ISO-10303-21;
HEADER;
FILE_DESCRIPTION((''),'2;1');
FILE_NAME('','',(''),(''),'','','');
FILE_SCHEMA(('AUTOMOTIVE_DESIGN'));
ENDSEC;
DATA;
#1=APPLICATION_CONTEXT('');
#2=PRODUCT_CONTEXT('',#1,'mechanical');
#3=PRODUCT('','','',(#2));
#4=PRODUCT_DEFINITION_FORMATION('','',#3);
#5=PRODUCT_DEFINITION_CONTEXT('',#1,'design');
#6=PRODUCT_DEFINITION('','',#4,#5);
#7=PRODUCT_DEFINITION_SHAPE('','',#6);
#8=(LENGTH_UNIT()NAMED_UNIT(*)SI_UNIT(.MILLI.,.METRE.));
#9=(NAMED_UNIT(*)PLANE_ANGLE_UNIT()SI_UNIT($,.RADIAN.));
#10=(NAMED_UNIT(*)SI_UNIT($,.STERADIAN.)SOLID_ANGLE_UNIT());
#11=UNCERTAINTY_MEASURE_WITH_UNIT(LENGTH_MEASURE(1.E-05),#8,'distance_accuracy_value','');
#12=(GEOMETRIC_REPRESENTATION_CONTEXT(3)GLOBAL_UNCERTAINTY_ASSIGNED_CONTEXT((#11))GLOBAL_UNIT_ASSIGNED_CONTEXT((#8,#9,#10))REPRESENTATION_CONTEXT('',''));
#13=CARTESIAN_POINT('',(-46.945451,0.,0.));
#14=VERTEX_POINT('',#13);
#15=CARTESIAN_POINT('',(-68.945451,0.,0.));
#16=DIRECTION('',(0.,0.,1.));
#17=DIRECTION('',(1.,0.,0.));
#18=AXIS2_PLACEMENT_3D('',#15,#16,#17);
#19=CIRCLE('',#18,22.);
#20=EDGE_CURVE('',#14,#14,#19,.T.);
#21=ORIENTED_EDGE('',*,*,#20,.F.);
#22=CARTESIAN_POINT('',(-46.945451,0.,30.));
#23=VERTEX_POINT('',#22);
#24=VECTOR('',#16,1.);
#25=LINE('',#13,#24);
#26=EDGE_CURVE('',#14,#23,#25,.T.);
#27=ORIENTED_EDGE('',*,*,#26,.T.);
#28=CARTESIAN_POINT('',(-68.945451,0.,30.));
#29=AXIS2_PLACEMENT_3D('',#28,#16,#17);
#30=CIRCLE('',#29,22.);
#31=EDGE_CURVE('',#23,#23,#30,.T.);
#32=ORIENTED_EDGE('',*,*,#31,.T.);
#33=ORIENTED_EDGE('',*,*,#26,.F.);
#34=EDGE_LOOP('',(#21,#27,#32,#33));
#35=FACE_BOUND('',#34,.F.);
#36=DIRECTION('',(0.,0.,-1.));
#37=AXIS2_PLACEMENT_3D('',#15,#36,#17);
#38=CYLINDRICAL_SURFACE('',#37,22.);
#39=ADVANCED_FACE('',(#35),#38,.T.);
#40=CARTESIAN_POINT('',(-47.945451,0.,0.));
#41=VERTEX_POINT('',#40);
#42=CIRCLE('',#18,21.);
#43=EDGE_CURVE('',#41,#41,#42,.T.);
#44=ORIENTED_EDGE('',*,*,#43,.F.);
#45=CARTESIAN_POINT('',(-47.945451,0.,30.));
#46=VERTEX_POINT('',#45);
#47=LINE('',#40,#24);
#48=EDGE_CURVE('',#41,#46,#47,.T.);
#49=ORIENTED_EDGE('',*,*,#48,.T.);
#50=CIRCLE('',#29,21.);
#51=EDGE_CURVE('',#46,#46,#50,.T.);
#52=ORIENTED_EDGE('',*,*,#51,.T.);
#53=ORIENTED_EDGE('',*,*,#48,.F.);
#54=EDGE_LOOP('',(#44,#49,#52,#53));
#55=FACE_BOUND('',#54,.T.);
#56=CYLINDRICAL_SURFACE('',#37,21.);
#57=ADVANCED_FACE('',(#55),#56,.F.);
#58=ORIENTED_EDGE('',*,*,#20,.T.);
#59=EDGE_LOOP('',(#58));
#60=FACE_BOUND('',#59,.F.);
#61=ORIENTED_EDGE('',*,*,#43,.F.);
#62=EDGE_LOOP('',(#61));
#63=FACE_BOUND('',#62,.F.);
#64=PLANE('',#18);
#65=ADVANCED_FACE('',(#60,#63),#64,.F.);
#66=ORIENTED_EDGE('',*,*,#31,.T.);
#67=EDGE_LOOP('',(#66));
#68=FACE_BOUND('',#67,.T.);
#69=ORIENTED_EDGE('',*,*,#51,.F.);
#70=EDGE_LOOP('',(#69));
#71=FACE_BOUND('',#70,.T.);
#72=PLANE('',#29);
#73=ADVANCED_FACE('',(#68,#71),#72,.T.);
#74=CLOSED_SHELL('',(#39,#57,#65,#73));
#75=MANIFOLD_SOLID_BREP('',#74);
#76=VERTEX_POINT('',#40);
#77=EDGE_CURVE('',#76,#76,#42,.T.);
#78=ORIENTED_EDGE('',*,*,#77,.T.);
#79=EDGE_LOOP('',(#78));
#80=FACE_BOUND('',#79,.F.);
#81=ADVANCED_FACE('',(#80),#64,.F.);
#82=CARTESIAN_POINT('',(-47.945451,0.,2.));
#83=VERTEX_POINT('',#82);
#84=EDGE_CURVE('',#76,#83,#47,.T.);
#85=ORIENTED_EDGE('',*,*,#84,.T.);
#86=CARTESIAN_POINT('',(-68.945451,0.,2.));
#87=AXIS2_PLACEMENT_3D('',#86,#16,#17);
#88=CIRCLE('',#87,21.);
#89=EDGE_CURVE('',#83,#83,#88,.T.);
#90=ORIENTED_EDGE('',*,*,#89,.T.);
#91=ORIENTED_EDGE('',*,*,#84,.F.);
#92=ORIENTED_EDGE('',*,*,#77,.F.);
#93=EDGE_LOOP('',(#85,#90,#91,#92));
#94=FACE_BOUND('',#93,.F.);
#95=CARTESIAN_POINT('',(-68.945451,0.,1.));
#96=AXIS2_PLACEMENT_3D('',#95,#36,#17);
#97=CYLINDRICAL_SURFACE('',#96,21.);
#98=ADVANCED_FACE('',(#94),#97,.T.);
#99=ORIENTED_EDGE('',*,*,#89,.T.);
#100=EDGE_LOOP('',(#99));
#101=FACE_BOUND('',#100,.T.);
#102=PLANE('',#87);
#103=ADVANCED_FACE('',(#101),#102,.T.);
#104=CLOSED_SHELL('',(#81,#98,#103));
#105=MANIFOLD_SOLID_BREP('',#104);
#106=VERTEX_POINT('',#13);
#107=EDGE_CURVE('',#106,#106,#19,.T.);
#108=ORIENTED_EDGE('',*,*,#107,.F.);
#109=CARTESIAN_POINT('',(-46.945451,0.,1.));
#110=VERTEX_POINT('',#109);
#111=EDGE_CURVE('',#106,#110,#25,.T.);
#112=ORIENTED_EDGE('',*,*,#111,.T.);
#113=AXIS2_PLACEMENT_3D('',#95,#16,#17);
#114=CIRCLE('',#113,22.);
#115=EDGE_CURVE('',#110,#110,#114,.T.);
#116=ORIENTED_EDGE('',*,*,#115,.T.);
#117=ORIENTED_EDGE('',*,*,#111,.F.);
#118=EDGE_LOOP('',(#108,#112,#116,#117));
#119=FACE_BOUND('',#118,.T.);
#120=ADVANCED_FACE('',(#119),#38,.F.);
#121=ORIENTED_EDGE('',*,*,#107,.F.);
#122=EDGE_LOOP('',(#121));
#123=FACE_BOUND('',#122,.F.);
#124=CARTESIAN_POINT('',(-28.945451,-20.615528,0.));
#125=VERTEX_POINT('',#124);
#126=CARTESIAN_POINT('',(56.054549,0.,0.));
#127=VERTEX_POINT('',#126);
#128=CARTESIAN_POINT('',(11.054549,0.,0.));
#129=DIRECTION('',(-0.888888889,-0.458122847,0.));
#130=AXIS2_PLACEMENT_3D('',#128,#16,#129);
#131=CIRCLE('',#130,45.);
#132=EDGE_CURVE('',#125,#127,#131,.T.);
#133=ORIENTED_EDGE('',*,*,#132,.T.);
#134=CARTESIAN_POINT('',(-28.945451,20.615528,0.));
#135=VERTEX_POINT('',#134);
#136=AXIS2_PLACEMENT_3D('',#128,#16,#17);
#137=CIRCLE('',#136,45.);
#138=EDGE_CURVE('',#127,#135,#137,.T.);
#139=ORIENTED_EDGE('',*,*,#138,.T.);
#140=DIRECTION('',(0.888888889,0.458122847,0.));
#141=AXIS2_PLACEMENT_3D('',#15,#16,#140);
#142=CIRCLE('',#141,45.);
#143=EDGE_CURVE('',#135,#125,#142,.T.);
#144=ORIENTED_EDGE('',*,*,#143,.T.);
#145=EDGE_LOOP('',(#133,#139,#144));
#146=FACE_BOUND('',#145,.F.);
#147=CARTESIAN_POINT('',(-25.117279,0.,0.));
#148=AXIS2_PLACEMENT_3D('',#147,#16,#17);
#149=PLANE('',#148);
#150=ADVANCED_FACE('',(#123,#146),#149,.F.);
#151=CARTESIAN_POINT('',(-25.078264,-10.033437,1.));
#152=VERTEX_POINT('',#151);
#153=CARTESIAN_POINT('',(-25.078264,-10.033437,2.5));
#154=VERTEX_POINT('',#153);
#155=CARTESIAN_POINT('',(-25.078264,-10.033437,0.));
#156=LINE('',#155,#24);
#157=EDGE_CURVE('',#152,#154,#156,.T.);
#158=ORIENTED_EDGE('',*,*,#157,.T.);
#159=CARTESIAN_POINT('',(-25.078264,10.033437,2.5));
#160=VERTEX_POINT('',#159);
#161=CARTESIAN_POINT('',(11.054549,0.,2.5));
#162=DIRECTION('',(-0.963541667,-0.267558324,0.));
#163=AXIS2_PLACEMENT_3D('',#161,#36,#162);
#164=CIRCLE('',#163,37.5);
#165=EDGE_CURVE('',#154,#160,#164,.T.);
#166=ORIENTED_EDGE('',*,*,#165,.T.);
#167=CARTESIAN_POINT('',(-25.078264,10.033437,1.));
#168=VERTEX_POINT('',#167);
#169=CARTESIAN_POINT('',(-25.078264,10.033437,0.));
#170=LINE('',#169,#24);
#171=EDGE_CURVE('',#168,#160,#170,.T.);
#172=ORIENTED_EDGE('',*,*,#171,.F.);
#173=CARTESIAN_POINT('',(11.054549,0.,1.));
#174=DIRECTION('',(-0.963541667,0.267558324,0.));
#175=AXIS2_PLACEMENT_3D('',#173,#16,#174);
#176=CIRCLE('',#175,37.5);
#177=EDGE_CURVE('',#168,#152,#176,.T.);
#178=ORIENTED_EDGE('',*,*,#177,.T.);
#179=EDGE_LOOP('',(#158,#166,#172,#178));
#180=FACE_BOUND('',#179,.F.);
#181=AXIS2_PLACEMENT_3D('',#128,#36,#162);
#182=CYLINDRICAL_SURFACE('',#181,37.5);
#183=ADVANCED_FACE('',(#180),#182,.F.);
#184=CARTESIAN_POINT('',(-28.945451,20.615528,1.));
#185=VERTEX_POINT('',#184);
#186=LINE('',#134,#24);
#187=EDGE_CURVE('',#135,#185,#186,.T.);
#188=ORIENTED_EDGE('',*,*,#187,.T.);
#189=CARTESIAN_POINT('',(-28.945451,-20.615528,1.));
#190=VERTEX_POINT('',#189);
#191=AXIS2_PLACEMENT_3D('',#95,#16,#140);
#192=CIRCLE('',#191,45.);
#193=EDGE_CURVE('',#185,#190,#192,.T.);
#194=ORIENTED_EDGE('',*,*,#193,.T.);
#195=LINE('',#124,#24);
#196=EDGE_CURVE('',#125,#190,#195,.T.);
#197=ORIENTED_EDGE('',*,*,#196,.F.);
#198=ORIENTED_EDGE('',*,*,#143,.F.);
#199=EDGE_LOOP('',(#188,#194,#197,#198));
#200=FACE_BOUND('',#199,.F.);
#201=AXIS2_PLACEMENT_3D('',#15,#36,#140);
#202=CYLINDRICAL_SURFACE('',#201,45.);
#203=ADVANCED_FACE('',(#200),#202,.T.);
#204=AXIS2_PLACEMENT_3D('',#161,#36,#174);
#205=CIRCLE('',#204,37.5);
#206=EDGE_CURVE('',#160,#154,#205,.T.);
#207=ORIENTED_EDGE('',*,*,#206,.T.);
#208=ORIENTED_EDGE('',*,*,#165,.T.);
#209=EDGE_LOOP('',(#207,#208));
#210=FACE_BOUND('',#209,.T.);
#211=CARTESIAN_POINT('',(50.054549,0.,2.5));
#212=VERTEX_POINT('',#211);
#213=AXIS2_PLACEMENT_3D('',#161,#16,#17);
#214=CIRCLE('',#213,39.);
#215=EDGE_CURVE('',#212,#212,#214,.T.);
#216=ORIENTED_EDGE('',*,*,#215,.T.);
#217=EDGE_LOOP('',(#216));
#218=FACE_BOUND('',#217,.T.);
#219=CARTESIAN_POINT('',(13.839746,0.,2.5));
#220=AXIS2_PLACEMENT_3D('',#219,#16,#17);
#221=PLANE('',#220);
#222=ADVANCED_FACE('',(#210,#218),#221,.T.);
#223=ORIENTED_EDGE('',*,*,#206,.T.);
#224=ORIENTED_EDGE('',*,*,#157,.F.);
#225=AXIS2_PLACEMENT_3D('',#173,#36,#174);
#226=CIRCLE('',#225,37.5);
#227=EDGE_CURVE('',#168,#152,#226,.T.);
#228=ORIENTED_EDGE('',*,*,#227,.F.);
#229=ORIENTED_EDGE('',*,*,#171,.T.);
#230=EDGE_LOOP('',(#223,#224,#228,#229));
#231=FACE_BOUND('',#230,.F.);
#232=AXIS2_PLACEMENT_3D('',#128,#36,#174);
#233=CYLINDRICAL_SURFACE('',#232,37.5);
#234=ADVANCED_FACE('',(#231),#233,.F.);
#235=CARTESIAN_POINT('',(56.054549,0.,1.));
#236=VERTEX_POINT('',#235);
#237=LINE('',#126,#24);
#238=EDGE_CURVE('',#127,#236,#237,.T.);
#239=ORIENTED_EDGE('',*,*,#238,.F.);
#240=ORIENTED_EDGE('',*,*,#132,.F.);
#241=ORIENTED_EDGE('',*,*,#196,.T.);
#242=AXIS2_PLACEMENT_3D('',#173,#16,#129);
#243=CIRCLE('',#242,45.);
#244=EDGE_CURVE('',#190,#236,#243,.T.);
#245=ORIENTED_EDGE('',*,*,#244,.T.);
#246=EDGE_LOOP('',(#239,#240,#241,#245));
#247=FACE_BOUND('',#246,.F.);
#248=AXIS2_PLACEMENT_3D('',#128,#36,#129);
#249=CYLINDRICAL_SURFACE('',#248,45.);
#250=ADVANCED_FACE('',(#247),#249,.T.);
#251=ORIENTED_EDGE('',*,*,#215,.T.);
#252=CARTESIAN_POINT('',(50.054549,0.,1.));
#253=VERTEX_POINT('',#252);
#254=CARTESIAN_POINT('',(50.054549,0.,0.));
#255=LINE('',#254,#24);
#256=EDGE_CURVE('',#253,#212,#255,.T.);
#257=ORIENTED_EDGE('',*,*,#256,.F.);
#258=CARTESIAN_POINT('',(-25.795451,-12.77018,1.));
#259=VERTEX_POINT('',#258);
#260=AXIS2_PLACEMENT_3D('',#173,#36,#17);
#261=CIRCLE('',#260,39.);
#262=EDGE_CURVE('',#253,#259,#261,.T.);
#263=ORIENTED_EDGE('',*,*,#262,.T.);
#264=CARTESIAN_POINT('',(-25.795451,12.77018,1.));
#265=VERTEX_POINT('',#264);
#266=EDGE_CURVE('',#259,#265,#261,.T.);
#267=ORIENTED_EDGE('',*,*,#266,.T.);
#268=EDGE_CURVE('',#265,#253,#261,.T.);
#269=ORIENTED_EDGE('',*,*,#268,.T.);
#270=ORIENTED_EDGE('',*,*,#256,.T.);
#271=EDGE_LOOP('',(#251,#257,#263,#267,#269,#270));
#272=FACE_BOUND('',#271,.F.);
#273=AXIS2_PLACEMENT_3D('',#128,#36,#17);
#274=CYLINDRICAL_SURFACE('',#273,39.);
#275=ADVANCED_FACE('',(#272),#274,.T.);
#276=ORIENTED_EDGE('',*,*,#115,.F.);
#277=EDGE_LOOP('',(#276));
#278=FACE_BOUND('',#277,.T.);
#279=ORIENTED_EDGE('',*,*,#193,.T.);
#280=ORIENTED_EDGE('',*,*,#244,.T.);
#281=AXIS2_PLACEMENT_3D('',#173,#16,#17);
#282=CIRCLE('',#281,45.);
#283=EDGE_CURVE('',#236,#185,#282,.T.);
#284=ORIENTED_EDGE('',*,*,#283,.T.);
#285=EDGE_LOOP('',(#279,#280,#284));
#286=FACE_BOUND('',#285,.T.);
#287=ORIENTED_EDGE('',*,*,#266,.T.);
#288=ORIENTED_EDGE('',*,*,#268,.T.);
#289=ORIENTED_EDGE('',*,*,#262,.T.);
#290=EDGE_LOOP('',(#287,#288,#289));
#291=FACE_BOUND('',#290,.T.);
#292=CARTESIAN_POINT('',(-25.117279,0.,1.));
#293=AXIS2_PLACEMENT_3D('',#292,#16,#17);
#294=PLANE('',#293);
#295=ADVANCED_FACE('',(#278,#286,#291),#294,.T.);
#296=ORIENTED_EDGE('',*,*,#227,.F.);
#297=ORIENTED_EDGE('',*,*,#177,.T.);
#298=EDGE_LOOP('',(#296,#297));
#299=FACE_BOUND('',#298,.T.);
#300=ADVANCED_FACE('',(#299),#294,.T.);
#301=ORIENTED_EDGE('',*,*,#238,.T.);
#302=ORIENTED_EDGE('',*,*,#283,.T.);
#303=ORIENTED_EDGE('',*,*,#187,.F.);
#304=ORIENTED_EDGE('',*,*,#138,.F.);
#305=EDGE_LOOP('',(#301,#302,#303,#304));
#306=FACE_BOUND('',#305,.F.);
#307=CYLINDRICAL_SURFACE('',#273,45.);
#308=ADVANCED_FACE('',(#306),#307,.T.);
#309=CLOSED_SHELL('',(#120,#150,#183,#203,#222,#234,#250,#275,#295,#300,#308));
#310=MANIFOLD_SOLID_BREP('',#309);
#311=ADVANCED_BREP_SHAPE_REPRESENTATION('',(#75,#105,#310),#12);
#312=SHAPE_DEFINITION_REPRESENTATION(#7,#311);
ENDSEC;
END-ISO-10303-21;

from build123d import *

# Parameters (mm, degrees)
F0_R     = 22
F1_DEPTH = 1
F0_R_2   = 21
F2_DEPTH = 1
F3_DEPTH = 30
F4_DEPTH = 1
F5_DEPTH = 2.5


with BuildPart() as f1:
    # F0 (on Top) → F1 (new body)
    with BuildSketch(Plane.XY):
        with BuildLine():
            ThreePointArc((-28.94545121, 20.6155281281), (-27.1858056608, 16.7669914896), (-25.79545121, 12.7701801084))
            ThreePointArc((-25.79545121, 12.7701801084), (17.5295005273, 38.4587441293), (50.05454879, 0))
            ThreePointArc((50.05454879, 0), (17.5295005273, -38.4587441293), (-25.79545121, -12.7701801084))
            ThreePointArc((-25.79545121, -12.7701801084), (-27.1858056608, -16.7669914896), (-28.94545121, -20.6155281281))
            ThreePointArc((-28.94545121, -20.6155281281), (21.6611505078, -43.7321392113), (56.05454879, 0))
            ThreePointArc((56.05454879, 0), (21.6611505078, 43.7321392113), (-28.94545121, 20.6155281281))
        make_face()
        with BuildLine():
            ThreePointArc((-25.07826371, 10.0334371399), (-24.2295511435, 5.0485920067), (-23.94545121, 0))
            ThreePointArc((-23.94545121, 0), (-24.2295511435, -5.0485920067), (-25.07826371, -10.0334371399))
            ThreePointArc((-25.07826371, -10.0334371399), (16.1176274607, -37.1566310956), (48.55454879, 0))
            ThreePointArc((48.55454879, 0), (16.1176274607, 37.1566310956), (-25.07826371, 10.0334371399))
        make_face()
        with BuildLine():
            ThreePointArc((-28.94545121, -20.6155281281), (-33.94545121, 0), (-28.94545121, 20.6155281281))
            ThreePointArc((-28.94545121, 20.6155281281), (-113.94545121, 0), (-28.94545121, -20.6155281281))
        make_face()
        with Locations((-68.94545121, 0)):
            Circle(F0_R, mode=Mode.SUBTRACT)
        with BuildLine():
            ThreePointArc((-25.79545121, -12.7701801084), (-27.94545121, 0), (-25.79545121, 12.7701801084))
            ThreePointArc((-25.79545121, 12.7701801084), (-27.1858056608, 16.7669914896), (-28.94545121, 20.6155281281))
            ThreePointArc((-28.94545121, 20.6155281281), (-33.94545121, 0), (-28.94545121, -20.6155281281))
            ThreePointArc((-28.94545121, -20.6155281281), (-27.1858056608, -16.7669914896), (-25.79545121, -12.7701801084))
        make_face()
        with BuildLine():
            ThreePointArc((-25.79545121, 12.7701801084), (-25.4153447247, 11.4074462251), (-25.07826371, 10.0334371399))
            ThreePointArc((-25.07826371, 10.0334371399), (16.1176274607, 37.1566310956), (48.55454879, 0))
            ThreePointArc((48.55454879, 0), (16.1176274607, -37.1566310956), (-25.07826371, -10.0334371399))
            ThreePointArc((-25.07826371, -10.0334371399), (-25.4153447247, -11.4074462251), (-25.79545121, -12.7701801084))
            ThreePointArc((-25.79545121, -12.7701801084), (17.5295005273, -38.4587441293), (50.05454879, 0))
            ThreePointArc((50.05454879, 0), (17.5295005273, 38.4587441293), (-25.79545121, 12.7701801084))
        make_face()
    extrude(amount=F1_DEPTH)

    # F0 (on Top) → F4 (join)
    with BuildSketch(Plane.XY):
        with BuildLine():
            ThreePointArc((-25.07826371, -10.0334371399), (-24.2295511435, -5.0485920067), (-23.94545121, 0))
            ThreePointArc((-23.94545121, 0), (-24.2295511435, 5.0485920067), (-25.07826371, 10.0334371399))
            ThreePointArc((-25.07826371, 10.0334371399), (-26.44545121, 0), (-25.07826371, -10.0334371399))
        make_face()
    extrude(amount=F4_DEPTH)

    # F0 (on Top) → F5 (join)
    with BuildSketch(Plane.XY):
        with BuildLine():
            ThreePointArc((-25.79545121, 12.7701801084), (-25.4153447247, 11.4074462251), (-25.07826371, 10.0334371399))
            ThreePointArc((-25.07826371, 10.0334371399), (16.1176274607, 37.1566310956), (48.55454879, 0))
            ThreePointArc((48.55454879, 0), (16.1176274607, -37.1566310956), (-25.07826371, -10.0334371399))
            ThreePointArc((-25.07826371, -10.0334371399), (-25.4153447247, -11.4074462251), (-25.79545121, -12.7701801084))
            ThreePointArc((-25.79545121, -12.7701801084), (17.5295005273, -38.4587441293), (50.05454879, 0))
            ThreePointArc((50.05454879, 0), (17.5295005273, 38.4587441293), (-25.79545121, 12.7701801084))
        make_face()
        with BuildLine():
            ThreePointArc((-25.07826371, -10.0334371399), (-26.44545121, 0), (-25.07826371, 10.0334371399))
            ThreePointArc((-25.07826371, 10.0334371399), (-25.4153447247, 11.4074462251), (-25.79545121, 12.7701801084))
            ThreePointArc((-25.79545121, 12.7701801084), (-27.94545121, 0), (-25.79545121, -12.7701801084))
            ThreePointArc((-25.79545121, -12.7701801084), (-25.4153447247, -11.4074462251), (-25.07826371, -10.0334371399))
        make_face()
    extrude(amount=F5_DEPTH)


with BuildPart() as f1b:
    # F0 (on Top) → F1, piece 2 (new body)
    with BuildSketch(Plane.XY):
        with Locations((-68.94545121, 0)):
            Circle(F0_R_2)
    extrude(amount=F1_DEPTH)

    # F2 (add): a face of the model
    f2_faces = [f1b.faces().sort_by_distance(p)[0] for p in [
        (-68.94545121, 0, 1),
    ]]
    extrude(f2_faces, amount=F2_DEPTH)


with BuildPart() as f3:
    # F0 (on Top) → F3 (new body)
    with BuildSketch(Plane.XY):
        with Locations((-68.94545121, 0)):
            Circle(F0_R)
        with Locations((-68.94545121, 0)):
            Circle(F0_R_2, mode=Mode.SUBTRACT)
    extrude(amount=F3_DEPTH)


solid = Compound([f1.part, f1b.part, f3.part])
